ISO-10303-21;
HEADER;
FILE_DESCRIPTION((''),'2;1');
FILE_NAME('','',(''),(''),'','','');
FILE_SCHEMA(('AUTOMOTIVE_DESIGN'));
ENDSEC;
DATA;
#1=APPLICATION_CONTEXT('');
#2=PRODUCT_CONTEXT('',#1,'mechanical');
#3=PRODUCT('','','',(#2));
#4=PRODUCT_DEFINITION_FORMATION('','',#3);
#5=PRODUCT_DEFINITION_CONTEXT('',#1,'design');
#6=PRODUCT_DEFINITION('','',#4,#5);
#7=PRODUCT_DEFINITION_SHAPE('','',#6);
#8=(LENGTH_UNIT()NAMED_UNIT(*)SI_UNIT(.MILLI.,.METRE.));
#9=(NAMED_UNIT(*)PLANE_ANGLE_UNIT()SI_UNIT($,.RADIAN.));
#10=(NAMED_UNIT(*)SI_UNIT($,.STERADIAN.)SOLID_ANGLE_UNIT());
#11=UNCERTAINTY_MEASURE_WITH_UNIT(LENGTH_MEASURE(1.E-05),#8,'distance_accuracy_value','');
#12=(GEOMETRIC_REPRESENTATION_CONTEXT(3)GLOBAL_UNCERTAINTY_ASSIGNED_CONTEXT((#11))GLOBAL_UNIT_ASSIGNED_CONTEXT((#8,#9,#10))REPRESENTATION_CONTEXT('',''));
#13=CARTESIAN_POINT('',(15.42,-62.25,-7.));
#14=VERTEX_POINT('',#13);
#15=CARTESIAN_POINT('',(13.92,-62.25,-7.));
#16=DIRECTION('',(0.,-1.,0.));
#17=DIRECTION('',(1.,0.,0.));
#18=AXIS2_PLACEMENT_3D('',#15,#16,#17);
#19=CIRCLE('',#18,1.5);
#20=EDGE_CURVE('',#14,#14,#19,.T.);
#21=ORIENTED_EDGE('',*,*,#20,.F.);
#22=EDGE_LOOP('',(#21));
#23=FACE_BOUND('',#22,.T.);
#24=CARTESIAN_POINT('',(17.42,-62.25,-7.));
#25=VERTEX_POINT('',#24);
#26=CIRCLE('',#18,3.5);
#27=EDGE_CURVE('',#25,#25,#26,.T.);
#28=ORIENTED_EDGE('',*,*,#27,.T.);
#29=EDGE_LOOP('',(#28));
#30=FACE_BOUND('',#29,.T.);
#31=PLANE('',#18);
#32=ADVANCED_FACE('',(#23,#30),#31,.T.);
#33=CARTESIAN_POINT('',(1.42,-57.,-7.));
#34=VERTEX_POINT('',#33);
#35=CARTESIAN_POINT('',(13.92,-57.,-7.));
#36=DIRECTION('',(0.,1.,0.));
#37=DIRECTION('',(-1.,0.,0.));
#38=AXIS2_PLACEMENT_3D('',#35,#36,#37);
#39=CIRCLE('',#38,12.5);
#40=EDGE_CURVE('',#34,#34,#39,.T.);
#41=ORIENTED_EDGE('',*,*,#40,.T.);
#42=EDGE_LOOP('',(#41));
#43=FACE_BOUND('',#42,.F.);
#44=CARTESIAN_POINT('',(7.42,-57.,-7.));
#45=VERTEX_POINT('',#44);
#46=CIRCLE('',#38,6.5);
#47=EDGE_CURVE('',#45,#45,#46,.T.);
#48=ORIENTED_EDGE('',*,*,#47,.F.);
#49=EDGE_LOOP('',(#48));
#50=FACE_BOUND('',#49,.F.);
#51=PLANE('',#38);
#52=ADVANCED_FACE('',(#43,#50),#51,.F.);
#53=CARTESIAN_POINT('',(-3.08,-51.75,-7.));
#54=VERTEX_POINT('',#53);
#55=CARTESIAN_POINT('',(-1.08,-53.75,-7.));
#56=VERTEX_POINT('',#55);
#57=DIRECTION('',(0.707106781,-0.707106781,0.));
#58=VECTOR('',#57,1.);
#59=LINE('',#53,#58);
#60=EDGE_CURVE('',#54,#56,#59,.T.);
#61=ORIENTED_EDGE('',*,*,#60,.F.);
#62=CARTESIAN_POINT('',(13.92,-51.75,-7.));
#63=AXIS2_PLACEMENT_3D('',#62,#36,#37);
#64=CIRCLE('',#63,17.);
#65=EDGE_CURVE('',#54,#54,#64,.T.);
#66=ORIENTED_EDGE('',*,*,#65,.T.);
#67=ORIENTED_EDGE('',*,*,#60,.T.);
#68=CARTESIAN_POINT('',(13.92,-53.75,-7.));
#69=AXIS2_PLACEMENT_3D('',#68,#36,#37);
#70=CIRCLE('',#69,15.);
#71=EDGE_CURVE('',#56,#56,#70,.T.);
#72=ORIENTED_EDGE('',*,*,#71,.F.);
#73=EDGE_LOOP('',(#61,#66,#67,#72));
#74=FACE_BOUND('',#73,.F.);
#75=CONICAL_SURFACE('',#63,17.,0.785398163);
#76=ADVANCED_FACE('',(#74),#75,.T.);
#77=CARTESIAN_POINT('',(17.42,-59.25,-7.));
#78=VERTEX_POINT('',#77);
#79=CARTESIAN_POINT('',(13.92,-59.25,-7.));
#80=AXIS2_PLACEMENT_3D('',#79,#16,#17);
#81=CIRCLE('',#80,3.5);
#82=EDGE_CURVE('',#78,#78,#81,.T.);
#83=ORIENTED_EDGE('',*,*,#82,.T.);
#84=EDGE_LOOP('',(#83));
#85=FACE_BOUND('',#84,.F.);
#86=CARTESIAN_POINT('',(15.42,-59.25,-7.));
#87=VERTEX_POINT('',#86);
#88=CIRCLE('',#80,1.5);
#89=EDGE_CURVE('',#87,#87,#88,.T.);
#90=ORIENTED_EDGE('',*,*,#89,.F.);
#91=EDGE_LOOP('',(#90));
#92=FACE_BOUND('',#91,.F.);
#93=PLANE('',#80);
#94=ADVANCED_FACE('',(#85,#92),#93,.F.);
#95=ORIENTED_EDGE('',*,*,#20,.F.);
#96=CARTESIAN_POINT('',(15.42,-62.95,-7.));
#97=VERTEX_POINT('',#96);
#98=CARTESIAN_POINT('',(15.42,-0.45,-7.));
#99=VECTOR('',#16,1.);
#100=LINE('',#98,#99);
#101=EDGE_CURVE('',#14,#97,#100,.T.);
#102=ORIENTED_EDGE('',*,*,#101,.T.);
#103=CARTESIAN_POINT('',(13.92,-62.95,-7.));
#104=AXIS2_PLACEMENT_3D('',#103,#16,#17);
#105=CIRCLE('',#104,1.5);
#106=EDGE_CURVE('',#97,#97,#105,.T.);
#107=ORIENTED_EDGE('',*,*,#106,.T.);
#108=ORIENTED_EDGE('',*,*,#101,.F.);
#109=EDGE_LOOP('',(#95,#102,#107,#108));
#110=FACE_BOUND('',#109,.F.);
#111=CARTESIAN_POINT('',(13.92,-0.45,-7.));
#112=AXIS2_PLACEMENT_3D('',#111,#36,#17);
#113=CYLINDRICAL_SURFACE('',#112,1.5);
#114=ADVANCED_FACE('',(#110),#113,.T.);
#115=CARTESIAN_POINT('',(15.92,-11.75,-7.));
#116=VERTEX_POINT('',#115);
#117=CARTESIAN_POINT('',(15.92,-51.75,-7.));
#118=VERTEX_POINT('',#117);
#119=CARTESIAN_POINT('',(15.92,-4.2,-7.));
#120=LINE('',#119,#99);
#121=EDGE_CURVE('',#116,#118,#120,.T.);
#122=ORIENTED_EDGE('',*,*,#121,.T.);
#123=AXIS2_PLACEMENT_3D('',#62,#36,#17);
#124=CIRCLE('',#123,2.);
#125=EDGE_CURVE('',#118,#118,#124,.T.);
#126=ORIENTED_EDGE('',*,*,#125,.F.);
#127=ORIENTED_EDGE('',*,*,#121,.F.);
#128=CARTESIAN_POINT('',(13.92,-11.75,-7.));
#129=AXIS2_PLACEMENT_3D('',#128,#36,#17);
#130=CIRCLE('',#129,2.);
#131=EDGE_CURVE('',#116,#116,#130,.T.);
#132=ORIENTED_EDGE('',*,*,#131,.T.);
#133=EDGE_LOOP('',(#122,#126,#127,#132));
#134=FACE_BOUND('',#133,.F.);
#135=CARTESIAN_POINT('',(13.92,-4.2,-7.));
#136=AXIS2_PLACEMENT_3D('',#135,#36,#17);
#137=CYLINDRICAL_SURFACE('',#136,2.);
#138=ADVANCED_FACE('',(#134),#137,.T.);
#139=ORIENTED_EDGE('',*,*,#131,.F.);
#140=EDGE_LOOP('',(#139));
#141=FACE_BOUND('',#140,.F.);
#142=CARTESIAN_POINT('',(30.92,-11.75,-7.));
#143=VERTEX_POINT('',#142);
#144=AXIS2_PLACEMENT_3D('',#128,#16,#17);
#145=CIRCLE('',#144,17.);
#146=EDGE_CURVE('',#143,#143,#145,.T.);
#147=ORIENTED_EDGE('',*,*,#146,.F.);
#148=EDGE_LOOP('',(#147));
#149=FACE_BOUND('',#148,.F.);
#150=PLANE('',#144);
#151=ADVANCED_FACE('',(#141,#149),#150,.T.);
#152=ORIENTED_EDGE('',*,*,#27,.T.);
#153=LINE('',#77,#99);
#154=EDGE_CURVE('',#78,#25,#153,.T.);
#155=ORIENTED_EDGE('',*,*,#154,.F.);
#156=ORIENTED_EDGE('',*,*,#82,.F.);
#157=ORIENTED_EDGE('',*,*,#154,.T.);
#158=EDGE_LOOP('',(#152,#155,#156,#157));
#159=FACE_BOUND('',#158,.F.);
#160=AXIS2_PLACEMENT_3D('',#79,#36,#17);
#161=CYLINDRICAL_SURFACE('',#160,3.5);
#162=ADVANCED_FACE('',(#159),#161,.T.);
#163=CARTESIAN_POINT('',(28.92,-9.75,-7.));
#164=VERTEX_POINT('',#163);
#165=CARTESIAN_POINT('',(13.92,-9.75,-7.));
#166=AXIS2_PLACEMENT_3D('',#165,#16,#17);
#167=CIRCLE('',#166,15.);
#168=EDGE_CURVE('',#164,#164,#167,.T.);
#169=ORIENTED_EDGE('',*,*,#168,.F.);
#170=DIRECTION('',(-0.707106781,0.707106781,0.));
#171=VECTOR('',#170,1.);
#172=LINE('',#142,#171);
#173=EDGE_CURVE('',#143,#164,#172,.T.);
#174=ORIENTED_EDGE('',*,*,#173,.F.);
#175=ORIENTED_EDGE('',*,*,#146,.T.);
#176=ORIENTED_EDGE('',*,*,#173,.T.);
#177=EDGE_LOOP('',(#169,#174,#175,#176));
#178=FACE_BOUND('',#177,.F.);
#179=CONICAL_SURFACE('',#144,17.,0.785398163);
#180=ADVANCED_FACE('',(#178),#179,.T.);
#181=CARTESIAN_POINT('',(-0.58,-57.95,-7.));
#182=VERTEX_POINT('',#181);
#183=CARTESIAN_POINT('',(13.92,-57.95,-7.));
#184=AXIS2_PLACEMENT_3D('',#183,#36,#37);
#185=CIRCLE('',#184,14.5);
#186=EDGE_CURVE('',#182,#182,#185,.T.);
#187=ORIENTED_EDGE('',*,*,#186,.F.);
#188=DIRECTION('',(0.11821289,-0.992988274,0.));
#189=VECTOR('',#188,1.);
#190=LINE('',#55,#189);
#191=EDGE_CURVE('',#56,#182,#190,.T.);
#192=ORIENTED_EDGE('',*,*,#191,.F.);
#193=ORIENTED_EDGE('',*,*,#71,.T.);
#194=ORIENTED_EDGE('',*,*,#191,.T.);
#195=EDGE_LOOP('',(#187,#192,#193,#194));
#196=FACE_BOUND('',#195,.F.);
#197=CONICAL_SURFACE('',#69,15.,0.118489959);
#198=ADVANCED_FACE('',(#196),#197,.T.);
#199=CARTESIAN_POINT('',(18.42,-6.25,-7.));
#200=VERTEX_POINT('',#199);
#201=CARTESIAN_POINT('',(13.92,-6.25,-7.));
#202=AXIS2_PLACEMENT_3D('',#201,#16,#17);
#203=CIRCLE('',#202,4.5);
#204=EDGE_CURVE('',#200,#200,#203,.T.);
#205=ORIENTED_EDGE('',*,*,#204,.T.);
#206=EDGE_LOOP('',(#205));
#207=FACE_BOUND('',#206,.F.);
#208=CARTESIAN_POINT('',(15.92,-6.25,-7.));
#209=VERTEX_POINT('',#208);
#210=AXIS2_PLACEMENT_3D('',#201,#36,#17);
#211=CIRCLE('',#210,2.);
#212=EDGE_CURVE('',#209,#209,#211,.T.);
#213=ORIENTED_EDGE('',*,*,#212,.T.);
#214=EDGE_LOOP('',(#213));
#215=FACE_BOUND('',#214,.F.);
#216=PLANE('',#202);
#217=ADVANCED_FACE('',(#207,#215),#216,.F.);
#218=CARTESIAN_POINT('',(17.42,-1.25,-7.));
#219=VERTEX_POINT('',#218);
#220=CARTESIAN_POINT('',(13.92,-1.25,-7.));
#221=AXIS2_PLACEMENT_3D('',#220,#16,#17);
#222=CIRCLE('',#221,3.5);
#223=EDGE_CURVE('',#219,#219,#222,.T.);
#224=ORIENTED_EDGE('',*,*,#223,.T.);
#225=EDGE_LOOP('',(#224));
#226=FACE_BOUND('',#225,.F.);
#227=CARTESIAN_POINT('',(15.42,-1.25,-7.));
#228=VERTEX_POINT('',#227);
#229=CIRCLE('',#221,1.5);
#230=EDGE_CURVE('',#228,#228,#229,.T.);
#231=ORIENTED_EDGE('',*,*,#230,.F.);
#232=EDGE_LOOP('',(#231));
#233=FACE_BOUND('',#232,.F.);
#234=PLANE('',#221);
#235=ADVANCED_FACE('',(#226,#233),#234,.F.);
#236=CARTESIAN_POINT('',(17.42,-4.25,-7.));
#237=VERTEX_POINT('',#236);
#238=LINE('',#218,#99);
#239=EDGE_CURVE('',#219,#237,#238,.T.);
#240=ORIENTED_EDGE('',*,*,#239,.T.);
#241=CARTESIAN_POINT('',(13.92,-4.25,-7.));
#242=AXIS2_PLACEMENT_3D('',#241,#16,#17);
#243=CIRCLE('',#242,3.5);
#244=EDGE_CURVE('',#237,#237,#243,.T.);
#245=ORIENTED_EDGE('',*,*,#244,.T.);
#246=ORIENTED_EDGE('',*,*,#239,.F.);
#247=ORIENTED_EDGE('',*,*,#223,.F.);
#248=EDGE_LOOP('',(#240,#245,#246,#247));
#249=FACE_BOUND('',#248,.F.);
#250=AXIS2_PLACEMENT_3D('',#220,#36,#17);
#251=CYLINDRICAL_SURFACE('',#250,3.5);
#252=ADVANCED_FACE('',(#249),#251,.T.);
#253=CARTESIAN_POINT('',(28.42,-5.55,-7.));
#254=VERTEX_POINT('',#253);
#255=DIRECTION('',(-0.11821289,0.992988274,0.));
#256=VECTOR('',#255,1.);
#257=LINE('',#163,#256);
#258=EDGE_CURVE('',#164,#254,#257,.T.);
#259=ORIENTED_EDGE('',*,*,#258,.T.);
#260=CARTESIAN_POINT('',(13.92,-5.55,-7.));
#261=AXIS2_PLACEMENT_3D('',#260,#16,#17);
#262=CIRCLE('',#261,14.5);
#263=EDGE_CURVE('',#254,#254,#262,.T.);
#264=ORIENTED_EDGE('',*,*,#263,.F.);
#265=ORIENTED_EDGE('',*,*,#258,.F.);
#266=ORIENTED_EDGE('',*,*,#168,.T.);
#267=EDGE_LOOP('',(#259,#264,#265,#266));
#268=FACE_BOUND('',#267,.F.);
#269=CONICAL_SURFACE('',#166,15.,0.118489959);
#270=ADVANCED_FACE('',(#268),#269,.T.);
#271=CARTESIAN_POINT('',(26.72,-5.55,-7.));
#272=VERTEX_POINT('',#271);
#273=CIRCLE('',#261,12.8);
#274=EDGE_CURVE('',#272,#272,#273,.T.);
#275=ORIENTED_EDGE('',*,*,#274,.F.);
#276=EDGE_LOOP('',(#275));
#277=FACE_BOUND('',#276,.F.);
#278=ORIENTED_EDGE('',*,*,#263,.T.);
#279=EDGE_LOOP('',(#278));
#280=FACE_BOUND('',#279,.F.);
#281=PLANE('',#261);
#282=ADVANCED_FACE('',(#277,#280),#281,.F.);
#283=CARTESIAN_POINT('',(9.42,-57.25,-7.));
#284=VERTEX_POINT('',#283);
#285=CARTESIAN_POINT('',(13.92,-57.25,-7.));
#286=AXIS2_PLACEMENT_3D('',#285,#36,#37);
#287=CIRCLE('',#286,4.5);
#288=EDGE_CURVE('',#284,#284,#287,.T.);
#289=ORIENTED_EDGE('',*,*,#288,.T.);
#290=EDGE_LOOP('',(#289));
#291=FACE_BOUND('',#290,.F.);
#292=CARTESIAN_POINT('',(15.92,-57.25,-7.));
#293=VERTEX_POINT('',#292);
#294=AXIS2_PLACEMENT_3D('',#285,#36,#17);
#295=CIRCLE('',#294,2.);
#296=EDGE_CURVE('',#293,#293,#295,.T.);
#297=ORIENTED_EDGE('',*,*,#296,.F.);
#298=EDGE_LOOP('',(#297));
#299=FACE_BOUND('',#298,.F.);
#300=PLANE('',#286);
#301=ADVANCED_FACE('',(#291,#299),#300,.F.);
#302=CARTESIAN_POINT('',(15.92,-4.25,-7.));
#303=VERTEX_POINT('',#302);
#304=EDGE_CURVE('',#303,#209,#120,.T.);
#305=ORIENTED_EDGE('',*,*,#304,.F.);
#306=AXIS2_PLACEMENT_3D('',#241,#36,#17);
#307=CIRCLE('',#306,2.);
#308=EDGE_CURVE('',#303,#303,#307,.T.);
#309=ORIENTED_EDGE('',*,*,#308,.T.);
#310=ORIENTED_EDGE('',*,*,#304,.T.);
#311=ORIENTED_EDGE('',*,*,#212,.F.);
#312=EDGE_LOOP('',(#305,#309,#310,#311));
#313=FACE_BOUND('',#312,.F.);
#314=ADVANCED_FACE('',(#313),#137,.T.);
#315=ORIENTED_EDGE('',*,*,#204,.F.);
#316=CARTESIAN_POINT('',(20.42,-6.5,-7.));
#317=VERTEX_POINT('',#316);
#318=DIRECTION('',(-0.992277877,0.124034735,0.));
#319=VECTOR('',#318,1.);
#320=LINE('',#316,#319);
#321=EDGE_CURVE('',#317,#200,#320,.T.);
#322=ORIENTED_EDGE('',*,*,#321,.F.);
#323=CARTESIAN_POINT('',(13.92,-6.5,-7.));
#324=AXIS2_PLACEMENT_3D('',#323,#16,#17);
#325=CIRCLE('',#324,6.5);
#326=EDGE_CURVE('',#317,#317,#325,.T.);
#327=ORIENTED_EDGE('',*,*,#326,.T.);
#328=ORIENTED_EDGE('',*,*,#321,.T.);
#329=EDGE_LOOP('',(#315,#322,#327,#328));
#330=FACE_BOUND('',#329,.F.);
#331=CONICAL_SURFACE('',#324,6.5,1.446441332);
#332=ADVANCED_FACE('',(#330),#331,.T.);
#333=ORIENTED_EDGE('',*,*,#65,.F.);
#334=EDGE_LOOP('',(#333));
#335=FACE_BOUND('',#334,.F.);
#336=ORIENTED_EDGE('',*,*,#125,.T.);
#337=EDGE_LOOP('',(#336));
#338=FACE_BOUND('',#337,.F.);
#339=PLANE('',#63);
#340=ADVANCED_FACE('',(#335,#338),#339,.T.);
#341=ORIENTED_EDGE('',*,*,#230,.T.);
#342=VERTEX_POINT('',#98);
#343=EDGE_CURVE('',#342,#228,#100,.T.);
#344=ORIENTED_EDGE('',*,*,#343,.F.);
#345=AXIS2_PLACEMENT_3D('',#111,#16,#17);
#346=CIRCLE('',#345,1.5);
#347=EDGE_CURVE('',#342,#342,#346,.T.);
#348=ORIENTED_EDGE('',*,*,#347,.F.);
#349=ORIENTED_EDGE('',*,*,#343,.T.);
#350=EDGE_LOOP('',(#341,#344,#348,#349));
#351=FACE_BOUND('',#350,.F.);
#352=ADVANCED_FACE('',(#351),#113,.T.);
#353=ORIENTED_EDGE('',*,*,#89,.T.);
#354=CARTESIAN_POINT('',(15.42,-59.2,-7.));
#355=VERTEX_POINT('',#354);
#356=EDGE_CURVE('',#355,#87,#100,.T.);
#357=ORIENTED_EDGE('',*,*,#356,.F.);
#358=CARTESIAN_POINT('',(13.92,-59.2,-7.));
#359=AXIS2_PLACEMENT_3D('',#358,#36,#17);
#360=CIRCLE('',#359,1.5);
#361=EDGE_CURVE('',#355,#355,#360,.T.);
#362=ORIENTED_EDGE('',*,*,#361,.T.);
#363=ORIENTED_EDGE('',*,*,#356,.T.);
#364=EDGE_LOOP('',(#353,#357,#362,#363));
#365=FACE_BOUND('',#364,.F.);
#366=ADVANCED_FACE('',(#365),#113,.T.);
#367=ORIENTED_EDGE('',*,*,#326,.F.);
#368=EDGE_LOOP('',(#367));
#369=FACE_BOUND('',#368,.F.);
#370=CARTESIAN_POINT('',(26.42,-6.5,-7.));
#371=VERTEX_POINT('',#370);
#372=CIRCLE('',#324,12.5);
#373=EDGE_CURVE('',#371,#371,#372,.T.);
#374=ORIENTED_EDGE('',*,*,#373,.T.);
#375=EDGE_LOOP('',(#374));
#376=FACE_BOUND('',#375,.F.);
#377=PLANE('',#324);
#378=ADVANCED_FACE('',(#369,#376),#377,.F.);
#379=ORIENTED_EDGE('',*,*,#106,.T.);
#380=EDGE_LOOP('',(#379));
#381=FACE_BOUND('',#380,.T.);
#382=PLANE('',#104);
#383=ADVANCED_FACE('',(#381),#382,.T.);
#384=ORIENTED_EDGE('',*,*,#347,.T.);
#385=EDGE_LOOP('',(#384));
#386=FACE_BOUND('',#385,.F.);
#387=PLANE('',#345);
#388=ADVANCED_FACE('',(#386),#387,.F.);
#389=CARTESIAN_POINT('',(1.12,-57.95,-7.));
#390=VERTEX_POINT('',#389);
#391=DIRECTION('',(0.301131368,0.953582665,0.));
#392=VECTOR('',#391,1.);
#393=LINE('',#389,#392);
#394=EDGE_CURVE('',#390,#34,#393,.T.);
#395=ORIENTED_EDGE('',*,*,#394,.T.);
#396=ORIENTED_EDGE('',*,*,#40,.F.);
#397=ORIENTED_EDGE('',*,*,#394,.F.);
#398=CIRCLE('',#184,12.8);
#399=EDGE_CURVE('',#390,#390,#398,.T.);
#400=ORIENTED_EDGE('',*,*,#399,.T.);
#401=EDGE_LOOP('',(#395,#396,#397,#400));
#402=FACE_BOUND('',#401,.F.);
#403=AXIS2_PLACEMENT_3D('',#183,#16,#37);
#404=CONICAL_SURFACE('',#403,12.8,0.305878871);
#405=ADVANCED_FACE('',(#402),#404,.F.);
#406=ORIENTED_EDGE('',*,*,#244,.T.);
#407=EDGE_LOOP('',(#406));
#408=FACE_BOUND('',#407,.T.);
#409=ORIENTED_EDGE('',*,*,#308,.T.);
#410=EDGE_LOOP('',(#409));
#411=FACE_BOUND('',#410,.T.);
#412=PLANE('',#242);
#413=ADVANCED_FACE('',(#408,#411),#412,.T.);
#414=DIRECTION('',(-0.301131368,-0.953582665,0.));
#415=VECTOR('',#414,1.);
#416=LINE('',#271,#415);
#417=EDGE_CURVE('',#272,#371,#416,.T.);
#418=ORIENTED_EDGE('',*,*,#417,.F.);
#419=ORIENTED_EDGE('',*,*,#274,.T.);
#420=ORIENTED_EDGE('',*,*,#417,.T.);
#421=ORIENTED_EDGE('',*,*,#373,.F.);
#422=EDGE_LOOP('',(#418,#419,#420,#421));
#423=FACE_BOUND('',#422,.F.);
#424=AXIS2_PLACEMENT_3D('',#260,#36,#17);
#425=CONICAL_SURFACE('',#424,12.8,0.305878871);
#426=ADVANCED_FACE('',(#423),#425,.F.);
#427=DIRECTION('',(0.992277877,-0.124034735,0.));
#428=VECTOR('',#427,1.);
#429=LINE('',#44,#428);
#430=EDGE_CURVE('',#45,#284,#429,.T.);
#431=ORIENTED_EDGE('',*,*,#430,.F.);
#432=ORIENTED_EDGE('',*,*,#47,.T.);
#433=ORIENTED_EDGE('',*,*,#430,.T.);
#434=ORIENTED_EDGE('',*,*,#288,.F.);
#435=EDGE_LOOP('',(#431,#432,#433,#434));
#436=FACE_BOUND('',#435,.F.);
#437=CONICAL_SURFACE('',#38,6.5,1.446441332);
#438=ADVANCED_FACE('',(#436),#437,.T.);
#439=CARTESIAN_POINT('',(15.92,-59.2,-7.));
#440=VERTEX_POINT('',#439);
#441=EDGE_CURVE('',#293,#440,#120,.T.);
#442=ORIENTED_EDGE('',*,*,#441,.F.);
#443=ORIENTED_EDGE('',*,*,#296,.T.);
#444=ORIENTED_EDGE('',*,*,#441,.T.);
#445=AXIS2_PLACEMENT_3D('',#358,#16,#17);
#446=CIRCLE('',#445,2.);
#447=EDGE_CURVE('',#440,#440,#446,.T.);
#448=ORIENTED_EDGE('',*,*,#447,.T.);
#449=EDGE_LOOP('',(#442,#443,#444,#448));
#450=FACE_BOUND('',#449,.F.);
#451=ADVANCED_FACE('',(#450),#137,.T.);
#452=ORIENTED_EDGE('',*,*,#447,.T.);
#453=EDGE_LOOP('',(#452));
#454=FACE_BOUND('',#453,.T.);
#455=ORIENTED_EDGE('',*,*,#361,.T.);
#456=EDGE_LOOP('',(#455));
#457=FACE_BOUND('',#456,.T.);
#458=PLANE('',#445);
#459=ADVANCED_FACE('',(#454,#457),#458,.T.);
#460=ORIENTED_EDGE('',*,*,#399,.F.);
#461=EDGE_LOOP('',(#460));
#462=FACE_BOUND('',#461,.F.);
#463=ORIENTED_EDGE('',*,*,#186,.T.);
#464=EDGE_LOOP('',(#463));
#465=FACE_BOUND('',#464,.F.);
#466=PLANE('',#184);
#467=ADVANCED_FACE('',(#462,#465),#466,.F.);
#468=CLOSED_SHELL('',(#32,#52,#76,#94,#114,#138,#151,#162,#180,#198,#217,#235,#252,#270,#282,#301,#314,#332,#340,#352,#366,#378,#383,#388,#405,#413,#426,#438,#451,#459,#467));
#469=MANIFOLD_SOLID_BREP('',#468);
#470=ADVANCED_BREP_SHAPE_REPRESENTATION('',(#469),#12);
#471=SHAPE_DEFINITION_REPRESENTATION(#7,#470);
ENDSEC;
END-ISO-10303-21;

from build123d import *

# Parameters (mm, degrees)
CYLINDER017_R             = 2
CYLINDER017_DEPTH         = 10
CUT011_PLACEMENT_ANGLE    = 180
CYLINDER019_R             = 1.5
CYLINDER019_DEPTH         = 3
CYLINDER018_R             = 3.5
CYLINDER018_DEPTH         = 3
CUT012_PLACEMENT_ANGLE    = 90
CYLINDER015_R             = 1.5
CYLINDER015_DEPTH         = 3
CYLINDER014_R             = 3.5
CYLINDER014_DEPTH         = 3
CUT009_PLACEMENT_ANGLE    = 90
CYLINDER021_R             = 1.5
CYLINDER021_DEPTH         = 62.5
CYLINDER020_R             = 2
CYLINDER020_DEPTH         = 55
FUSION009_PLACEMENT_ANGLE = 90
CYLINDER016_R             = 2
CYLINDER016_DEPTH         = 10


with BuildPart() as cylinder017:
    # Cylinder017 → Cylinder017 (new body)
    with BuildSketch(Plane.XZ.offset(-8)):
        Circle(CYLINDER017_R)
    extrude(amount=CYLINDER017_DEPTH)


with BuildPart() as rad002:
    # Sketch005 → Revolve002 (revolve)
    with BuildSketch(Plane.XY):
        Polygon((0, 0), (17, 0), (15, 2), (14.5, 6.2), (12.8, 6.2), (12.5, 5.25), (6.5, 5.25), (4.5, 5.5), (0, 5.5), align=None)
    revolve(axis=Axis((0, 0, 0), (0, -1, 0)))

    # Cut011: cut Cylinder017
    add(cylinder017.part, mode=Mode.SUBTRACT)


with BuildPart() as rad002_1:
    # Cut011 placement: moved
    add(rad002.part.moved(Location((0, -40, 0))).rotate(Axis((0, -40, 0), (0, 0, 1)), CUT011_PLACEMENT_ANGLE))


with BuildPart() as cylinder019:
    # Cylinder019 → Cylinder019 (new body)
    with BuildSketch(Plane.XY):
        Circle(CYLINDER019_R)
    extrude(amount=CYLINDER019_DEPTH)


with BuildPart() as kugellager002:
    # Cylinder018 → Cylinder018 (new body)
    with BuildSketch(Plane.XY):
        Circle(CYLINDER018_R)
    extrude(amount=CYLINDER018_DEPTH)

    # Cut012: cut Cylinder019
    add(cylinder019.part, mode=Mode.SUBTRACT)


with BuildPart() as kugellager002_1:
    # Cut012 placement: moved
    add(kugellager002.part.moved(Location((0, -47.5, 0))).rotate(Axis((0, -47.5, 0), (1, 0, 0)), CUT012_PLACEMENT_ANGLE))


with BuildPart() as cylinder015:
    # Cylinder015 → Cylinder015 (new body)
    with BuildSketch(Plane.XY):
        Circle(CYLINDER015_R)
    extrude(amount=CYLINDER015_DEPTH)


with BuildPart() as kugellager001:
    # Cylinder014 → Cylinder014 (new body)
    with BuildSketch(Plane.XY):
        Circle(CYLINDER014_R)
    extrude(amount=CYLINDER014_DEPTH)

    # Cut009: cut Cylinder015
    add(cylinder015.part, mode=Mode.SUBTRACT)


with BuildPart() as kugellager001_1:
    # Cut009 placement: moved
    add(kugellager001.part.moved(Location((0, 10.5, 0))).rotate(Axis((0, 10.5, 0), (1, 0, 0)), CUT009_PLACEMENT_ANGLE))


with BuildPart() as cylinder021:
    # Cylinder021 → Cylinder021 (new body)
    with BuildSketch(Plane.XY):
        Circle(CYLINDER021_R)
    extrude(amount=CYLINDER021_DEPTH)


with BuildPart() as achse002:
    # Cylinder020 → Cylinder020 (new body)
    with BuildSketch(Plane.XY.offset(3.75)):
        Circle(CYLINDER020_R)
    extrude(amount=CYLINDER020_DEPTH)

    # Fusion009: union Cylinder021
    add(cylinder021.part)


with BuildPart() as achse002_1:
    # Fusion009 placement: moved
    add(achse002.part.moved(Location((0, 11.3, 0))).rotate(Axis((0, 11.3, 0), (1, 0, 0)), FUSION009_PLACEMENT_ANGLE))


with BuildPart() as cylinder016:
    # Cylinder016 → Cylinder016 (new body)
    with BuildSketch(Plane.XZ.offset(-8)):
        Circle(CYLINDER016_R)
    extrude(amount=CYLINDER016_DEPTH)


with BuildPart() as radsatz001:
    # Sketch005 → Revolve001 (revolve)
    with BuildSketch(Plane.XY):
        Polygon((0, 0), (17, 0), (15, 2), (14.5, 6.2), (12.8, 6.2), (12.5, 5.25), (6.5, 5.25), (4.5, 5.5), (0, 5.5), align=None)
    revolve(axis=Axis((0, 0, 0), (0, -1, 0)))

    # Cut010: cut Cylinder016
    add(cylinder016.part, mode=Mode.SUBTRACT)

    # Fusion011: union Rad002, Kugellager002, Kugellager001, Achse002
    add(rad002_1.part)
    add(kugellager002_1.part)
    add(kugellager001_1.part)
    add(achse002_1.part)


with BuildPart() as radsatz001_1:
    # Fusion011 placement: moved
    add(radsatz001.part.moved(Location((13.92, -11.75, -7))))


solid = radsatz001_1.part
